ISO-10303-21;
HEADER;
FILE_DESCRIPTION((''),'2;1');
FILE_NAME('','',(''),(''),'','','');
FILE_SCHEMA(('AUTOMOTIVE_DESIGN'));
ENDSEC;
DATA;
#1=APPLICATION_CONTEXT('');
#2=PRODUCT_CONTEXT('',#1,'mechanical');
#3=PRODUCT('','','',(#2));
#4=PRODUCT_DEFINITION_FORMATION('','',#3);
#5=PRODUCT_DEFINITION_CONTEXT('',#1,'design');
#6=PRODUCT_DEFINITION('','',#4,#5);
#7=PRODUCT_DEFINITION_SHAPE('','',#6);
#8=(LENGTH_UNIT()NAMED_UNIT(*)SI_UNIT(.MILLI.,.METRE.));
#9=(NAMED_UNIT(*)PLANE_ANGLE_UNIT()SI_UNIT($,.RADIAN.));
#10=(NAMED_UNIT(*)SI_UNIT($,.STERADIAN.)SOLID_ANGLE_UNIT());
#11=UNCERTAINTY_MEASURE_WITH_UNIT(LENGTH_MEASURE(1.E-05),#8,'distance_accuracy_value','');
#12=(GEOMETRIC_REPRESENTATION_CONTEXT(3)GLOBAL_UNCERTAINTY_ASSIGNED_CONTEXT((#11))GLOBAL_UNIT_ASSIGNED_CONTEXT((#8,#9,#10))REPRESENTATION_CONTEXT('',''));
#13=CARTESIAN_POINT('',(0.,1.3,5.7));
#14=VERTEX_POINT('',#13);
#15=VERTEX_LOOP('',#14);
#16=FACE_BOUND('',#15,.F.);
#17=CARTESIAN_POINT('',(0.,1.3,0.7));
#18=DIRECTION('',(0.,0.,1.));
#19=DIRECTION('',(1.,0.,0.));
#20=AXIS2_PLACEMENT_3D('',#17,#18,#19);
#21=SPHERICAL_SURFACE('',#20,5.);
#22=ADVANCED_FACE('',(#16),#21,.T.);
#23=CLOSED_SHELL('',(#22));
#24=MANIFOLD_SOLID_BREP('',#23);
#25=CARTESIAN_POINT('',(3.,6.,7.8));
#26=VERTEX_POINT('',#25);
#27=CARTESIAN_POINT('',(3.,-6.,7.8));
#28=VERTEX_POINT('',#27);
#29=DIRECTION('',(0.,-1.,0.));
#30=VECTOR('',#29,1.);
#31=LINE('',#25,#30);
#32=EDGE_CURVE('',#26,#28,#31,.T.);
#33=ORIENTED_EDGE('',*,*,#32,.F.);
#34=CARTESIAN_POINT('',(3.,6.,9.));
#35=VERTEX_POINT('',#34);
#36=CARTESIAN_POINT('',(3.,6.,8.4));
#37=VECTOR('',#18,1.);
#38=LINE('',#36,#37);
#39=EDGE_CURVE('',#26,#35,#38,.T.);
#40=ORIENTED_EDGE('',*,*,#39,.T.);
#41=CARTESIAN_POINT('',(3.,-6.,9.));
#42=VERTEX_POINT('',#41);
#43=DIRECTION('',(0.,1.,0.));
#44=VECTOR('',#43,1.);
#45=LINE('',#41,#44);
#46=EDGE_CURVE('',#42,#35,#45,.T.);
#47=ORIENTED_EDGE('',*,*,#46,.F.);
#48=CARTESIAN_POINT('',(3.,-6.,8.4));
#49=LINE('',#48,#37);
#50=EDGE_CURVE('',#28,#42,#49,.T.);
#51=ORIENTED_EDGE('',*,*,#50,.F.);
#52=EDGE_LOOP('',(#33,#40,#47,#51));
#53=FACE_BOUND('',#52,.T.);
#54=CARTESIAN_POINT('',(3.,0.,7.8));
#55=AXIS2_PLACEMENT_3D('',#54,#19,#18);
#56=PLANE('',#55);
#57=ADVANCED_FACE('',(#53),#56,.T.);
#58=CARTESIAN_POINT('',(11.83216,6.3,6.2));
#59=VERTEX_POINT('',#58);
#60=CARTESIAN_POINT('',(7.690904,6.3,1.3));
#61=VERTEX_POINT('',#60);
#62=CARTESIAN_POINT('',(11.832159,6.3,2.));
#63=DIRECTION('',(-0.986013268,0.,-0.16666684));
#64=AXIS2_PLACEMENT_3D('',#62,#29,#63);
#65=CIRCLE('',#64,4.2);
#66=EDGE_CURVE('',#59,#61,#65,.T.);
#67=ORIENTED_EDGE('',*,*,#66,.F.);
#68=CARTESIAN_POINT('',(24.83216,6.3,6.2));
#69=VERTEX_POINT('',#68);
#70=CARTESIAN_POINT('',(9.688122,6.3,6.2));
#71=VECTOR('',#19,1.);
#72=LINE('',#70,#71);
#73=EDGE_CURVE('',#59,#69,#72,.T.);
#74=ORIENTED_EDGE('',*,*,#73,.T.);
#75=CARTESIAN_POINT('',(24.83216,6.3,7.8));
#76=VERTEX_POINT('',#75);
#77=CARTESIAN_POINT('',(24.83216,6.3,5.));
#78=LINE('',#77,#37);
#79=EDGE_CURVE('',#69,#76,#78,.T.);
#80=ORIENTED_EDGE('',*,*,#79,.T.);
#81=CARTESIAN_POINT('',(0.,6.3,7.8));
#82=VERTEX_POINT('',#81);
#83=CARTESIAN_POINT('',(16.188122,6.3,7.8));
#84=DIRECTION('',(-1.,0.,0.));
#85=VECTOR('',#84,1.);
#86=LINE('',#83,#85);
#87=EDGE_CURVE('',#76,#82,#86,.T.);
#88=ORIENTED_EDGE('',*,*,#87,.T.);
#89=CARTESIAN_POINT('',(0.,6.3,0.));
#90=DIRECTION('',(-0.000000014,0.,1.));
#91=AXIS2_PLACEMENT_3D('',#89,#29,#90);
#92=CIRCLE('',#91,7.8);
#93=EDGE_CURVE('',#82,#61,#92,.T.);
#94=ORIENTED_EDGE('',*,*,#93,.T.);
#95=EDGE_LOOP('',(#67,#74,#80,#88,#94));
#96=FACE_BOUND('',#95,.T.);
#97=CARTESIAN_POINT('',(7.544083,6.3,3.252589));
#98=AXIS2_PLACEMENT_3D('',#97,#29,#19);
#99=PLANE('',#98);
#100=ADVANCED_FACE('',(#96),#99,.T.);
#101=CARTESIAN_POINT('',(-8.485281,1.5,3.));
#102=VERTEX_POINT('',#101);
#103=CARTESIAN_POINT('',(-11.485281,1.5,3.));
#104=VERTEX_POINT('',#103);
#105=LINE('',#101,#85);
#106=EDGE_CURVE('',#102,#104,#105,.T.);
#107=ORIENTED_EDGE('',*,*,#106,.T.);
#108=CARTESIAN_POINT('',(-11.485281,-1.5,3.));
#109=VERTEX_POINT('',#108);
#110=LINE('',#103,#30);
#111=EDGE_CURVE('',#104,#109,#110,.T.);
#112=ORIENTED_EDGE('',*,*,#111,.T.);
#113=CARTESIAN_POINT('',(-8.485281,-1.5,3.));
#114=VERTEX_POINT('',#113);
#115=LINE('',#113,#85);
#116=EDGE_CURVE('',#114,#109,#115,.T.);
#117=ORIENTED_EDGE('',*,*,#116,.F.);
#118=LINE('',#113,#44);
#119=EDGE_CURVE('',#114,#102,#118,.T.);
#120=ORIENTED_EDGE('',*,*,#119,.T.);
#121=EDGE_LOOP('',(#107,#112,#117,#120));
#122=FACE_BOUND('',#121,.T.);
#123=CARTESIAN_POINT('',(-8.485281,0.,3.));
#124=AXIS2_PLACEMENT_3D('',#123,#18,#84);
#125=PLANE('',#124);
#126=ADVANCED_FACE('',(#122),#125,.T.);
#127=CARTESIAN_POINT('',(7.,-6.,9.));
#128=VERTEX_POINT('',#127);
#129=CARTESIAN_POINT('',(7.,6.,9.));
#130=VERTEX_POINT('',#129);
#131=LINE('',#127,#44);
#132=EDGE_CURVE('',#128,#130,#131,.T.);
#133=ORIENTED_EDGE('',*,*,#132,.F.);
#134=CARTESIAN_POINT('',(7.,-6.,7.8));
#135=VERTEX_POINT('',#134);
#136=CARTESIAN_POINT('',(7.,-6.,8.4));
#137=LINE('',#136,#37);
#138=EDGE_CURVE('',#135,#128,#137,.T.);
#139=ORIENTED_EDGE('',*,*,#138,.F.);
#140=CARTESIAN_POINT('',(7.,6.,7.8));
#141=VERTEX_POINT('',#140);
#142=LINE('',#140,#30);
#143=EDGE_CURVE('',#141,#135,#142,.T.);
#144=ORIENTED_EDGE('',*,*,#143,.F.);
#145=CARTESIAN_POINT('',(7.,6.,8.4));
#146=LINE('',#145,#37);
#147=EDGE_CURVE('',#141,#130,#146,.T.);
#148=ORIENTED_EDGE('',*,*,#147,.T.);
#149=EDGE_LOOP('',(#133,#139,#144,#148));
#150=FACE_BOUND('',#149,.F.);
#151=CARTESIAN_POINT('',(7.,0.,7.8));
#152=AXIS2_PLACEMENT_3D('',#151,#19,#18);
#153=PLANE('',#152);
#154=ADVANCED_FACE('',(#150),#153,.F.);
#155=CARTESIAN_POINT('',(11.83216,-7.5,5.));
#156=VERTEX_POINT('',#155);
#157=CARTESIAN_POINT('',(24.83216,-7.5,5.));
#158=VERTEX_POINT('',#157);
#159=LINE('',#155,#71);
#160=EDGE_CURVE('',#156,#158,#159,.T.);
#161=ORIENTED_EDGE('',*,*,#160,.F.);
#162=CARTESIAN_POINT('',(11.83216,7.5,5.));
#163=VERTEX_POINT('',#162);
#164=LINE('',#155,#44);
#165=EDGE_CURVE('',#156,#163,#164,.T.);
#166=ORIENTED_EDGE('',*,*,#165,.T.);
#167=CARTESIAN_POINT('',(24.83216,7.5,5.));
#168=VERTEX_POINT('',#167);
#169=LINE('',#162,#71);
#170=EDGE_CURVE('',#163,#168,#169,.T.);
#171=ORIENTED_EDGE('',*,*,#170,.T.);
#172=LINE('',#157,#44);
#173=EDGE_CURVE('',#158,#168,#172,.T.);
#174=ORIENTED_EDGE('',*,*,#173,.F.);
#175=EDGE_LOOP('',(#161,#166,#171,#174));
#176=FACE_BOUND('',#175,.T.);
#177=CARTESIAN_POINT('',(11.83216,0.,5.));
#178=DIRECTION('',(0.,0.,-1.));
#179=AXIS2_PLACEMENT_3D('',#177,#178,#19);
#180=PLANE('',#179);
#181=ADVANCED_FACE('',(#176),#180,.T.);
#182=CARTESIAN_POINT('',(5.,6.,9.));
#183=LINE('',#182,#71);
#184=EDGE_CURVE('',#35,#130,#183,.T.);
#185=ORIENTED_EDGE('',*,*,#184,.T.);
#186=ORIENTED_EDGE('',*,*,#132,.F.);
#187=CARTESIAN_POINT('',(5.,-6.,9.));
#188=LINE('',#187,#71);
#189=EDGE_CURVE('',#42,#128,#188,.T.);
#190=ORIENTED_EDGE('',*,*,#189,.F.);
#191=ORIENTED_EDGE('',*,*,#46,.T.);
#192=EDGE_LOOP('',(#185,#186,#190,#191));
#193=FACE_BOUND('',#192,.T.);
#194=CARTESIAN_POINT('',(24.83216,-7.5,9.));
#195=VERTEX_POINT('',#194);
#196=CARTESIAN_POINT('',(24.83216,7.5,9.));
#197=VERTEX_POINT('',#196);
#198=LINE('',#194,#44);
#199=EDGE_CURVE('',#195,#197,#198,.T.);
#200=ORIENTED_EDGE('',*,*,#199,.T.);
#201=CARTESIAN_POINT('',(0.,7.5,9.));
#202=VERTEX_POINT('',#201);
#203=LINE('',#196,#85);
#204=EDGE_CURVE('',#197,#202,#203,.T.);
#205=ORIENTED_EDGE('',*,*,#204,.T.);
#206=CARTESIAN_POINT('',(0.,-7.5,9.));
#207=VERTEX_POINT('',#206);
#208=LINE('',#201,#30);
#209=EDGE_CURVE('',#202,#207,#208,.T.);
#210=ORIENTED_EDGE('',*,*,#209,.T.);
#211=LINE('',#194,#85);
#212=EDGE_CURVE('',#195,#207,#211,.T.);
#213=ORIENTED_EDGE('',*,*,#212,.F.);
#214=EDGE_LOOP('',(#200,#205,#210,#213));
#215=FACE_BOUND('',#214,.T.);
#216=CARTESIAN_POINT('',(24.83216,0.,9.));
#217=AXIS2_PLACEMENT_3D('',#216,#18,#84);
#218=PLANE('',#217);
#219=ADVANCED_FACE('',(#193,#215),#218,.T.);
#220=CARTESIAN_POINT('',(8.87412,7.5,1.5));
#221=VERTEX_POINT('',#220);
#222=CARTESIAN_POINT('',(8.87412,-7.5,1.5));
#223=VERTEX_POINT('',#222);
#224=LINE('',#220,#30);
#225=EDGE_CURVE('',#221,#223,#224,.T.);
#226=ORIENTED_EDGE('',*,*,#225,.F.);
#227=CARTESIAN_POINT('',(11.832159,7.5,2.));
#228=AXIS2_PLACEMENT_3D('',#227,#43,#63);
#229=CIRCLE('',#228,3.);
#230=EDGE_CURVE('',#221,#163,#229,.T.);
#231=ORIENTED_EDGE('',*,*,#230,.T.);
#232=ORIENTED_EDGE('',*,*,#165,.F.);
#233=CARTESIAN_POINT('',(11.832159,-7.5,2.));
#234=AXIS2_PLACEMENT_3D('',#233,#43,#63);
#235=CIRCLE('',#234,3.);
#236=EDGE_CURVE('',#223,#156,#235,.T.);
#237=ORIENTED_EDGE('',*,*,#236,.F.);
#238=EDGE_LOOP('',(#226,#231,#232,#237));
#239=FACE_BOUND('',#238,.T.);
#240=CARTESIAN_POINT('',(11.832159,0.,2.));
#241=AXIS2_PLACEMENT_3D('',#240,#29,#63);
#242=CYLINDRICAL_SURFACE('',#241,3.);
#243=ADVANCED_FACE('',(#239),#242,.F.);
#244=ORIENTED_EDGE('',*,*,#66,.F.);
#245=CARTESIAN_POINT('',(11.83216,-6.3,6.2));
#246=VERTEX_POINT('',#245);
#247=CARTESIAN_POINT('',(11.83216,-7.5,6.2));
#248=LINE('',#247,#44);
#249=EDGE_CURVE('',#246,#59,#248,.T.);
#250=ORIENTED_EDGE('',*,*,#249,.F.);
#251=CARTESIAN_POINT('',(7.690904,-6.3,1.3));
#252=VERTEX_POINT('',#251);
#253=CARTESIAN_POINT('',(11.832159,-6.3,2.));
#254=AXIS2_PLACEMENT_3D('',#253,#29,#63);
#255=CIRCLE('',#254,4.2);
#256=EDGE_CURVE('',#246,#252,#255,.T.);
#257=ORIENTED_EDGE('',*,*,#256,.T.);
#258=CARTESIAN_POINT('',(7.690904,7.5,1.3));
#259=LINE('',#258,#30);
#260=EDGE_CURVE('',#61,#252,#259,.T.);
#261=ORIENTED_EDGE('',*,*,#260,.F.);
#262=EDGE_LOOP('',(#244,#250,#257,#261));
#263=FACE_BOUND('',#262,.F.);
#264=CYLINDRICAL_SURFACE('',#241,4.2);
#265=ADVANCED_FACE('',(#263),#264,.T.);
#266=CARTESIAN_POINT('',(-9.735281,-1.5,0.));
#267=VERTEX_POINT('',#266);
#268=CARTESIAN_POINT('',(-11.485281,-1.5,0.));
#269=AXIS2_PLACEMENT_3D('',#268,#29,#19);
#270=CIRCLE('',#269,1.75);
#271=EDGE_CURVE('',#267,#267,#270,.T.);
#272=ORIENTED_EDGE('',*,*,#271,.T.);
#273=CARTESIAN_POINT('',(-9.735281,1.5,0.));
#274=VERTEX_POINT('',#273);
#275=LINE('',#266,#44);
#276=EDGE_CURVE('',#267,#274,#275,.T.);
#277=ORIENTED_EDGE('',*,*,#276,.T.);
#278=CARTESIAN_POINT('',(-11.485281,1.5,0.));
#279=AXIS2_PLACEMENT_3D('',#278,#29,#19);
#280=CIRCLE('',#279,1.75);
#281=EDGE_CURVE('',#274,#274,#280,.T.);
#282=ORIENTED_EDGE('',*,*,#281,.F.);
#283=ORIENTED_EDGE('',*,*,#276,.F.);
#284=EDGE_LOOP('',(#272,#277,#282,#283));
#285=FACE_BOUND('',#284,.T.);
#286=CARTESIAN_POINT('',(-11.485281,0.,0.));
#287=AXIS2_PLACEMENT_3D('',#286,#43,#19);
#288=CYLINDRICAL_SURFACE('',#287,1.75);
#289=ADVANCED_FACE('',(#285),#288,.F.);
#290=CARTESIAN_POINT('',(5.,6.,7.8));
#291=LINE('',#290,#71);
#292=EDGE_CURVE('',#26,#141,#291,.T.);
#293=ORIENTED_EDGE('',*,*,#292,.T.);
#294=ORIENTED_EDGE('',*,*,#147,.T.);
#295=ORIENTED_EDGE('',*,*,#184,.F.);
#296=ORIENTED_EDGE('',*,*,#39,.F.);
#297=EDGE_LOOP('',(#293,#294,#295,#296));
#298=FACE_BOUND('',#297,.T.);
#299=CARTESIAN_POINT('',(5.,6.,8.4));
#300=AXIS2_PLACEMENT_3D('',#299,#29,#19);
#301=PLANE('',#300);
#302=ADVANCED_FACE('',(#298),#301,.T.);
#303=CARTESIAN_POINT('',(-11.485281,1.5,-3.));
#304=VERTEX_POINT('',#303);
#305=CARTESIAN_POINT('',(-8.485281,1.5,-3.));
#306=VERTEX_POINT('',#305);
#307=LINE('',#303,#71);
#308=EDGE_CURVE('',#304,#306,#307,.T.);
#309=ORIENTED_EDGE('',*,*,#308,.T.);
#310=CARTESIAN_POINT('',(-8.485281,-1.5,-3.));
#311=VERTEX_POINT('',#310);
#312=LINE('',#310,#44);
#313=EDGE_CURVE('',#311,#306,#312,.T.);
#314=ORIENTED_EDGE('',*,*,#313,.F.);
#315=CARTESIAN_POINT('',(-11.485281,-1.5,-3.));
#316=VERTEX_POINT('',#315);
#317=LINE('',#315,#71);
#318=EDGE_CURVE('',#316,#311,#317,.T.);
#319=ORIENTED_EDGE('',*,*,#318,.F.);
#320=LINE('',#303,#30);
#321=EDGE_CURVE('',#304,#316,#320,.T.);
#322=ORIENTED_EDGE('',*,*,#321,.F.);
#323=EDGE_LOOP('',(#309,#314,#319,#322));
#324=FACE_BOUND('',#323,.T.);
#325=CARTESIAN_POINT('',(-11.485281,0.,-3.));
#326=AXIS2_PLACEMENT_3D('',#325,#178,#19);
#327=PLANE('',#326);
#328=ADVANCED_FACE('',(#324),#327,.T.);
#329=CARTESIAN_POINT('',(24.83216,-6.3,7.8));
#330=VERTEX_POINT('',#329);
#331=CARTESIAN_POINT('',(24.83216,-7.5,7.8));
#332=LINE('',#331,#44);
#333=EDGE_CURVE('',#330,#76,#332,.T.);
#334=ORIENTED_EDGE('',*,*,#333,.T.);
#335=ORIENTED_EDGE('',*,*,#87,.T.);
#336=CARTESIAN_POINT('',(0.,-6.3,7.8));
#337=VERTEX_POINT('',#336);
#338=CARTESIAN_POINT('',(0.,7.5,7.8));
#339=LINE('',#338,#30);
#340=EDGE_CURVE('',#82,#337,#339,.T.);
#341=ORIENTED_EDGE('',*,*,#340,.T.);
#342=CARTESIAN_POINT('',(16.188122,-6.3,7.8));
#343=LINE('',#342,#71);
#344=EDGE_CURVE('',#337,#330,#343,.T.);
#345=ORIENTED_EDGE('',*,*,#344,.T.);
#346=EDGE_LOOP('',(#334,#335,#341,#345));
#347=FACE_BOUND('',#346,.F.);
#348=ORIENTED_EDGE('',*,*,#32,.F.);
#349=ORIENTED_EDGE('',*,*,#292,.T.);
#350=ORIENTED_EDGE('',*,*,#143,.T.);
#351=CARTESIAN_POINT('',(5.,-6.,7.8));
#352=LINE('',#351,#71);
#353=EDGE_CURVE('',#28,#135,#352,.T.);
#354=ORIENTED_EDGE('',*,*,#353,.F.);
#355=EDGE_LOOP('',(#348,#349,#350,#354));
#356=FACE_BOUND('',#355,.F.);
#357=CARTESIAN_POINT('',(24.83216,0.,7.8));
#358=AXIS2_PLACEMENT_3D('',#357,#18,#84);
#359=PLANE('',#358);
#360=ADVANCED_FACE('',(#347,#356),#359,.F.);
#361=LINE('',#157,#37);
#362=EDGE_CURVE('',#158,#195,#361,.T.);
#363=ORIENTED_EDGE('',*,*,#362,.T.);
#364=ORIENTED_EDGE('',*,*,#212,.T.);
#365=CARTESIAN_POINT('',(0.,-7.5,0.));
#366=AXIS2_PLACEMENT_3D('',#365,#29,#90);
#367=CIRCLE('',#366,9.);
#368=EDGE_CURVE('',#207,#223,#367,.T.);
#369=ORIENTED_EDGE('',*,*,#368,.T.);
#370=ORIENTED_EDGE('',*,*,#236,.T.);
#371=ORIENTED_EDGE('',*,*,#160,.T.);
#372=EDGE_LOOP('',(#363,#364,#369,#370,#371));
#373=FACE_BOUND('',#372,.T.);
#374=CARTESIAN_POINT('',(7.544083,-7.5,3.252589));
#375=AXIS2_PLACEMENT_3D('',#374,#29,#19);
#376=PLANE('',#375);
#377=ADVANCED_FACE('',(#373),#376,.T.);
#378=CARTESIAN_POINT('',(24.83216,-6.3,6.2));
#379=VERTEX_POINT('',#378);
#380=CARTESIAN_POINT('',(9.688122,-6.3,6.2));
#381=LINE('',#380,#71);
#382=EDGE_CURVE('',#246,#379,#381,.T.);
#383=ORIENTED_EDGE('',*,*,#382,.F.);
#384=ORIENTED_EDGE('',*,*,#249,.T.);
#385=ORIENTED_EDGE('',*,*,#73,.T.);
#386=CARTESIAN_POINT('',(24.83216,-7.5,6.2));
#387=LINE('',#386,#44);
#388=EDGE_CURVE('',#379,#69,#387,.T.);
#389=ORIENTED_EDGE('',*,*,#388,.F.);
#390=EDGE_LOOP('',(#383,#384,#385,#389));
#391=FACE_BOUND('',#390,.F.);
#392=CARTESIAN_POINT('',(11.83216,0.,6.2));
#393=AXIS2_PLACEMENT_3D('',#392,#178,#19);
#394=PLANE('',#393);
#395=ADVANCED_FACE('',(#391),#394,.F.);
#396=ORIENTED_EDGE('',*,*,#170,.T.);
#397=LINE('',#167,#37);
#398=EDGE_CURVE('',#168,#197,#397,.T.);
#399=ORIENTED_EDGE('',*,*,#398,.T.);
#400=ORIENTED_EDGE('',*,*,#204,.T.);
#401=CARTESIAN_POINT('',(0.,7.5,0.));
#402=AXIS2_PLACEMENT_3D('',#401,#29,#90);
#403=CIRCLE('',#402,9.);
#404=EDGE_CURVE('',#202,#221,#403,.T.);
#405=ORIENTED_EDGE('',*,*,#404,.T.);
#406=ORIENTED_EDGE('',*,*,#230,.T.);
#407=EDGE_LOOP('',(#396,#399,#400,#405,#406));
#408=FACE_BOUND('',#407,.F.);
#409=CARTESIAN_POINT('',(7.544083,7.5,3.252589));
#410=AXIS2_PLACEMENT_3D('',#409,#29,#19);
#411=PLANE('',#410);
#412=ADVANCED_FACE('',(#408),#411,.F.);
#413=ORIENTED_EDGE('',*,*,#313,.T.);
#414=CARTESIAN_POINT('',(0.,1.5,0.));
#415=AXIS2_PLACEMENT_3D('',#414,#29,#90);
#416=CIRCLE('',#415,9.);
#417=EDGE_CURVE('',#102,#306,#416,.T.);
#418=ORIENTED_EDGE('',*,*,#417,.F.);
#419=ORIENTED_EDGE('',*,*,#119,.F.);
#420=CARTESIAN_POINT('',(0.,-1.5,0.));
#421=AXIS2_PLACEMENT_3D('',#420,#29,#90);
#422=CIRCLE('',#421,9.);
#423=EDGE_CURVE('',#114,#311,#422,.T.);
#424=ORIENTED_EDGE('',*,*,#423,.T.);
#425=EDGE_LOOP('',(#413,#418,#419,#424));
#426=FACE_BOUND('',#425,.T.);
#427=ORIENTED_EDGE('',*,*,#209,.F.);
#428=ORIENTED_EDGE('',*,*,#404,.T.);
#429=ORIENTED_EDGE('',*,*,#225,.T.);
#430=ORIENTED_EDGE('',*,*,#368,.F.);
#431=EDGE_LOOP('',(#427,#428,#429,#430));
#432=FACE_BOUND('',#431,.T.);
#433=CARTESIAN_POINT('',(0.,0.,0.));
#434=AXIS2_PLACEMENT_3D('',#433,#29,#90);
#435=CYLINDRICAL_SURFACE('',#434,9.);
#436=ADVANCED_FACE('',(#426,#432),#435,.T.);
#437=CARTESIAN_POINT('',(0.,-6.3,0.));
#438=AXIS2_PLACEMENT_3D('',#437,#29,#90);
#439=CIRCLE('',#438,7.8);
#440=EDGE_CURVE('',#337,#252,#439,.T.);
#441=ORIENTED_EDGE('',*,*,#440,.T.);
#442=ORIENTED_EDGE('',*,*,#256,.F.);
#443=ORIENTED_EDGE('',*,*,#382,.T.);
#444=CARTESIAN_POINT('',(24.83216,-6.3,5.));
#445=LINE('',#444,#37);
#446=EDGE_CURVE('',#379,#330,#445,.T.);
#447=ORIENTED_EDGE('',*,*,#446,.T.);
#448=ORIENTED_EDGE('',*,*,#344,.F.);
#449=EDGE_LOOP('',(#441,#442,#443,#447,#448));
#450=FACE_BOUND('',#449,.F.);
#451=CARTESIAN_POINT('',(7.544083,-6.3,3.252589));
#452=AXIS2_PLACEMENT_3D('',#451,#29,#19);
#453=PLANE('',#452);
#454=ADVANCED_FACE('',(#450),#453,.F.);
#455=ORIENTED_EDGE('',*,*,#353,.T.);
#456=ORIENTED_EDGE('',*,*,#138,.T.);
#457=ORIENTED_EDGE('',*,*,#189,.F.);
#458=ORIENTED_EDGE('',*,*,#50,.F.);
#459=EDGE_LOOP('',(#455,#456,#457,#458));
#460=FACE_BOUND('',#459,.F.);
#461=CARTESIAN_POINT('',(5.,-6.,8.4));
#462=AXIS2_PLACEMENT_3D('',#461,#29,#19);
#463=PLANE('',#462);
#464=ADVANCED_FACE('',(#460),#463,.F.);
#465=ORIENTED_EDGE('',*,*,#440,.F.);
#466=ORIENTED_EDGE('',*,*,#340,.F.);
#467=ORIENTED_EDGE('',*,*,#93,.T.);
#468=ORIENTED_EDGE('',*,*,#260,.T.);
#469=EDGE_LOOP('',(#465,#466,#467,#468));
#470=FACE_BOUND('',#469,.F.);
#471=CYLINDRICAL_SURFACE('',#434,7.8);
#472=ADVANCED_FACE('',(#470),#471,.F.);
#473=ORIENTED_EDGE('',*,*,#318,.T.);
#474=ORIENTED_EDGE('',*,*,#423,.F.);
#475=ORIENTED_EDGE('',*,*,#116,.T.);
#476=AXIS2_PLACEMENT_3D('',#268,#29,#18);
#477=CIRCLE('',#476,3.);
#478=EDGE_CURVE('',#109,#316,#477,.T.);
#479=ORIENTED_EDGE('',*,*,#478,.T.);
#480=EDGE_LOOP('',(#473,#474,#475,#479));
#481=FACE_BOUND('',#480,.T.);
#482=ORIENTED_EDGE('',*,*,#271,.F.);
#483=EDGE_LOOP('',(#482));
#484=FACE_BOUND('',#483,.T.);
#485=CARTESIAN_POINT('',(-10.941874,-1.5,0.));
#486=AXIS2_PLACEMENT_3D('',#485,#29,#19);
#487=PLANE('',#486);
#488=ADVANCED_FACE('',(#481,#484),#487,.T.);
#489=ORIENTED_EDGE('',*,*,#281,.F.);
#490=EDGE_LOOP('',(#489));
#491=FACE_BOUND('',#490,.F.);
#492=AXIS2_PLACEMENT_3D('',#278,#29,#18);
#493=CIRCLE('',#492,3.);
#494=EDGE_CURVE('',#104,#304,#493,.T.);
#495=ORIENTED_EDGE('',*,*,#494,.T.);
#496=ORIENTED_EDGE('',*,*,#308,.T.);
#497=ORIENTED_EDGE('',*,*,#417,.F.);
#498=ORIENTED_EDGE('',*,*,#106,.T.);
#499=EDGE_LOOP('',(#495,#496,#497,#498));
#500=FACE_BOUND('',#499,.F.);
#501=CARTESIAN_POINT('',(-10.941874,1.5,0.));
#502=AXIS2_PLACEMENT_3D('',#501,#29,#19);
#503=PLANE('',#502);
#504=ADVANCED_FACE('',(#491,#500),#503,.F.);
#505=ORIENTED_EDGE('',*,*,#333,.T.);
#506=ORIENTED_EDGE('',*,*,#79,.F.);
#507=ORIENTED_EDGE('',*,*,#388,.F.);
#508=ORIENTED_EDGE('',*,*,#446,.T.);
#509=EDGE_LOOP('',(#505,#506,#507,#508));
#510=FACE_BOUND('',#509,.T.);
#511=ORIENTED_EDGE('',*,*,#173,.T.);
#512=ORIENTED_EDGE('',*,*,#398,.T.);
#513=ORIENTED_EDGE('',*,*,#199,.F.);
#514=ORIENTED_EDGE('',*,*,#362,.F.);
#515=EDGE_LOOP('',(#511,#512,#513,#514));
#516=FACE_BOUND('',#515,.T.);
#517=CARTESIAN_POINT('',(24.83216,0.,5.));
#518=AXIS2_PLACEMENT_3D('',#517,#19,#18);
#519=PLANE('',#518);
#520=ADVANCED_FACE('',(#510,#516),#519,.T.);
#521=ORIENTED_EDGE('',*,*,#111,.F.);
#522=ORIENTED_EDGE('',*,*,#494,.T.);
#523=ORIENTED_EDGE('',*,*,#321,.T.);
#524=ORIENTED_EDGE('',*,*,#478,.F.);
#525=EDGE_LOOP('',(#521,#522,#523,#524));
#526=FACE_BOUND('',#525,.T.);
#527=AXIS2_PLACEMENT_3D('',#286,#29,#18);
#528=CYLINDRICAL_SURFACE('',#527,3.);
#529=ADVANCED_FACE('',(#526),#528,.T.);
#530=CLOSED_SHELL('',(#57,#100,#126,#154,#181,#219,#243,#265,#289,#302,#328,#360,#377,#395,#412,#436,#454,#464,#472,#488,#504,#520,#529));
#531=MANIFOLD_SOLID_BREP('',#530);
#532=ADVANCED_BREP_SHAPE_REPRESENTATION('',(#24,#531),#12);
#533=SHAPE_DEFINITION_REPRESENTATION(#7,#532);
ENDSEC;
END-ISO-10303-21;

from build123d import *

# Parameters (mm, degrees)
F1_DEPTH = 7.5
F2_T     = -1.2
F3_W     = 4
F3_H     = 1.2
F4_DEPTH = 6
F5_R     = 1.75
F6_DEPTH = 1.5


with BuildPart() as f1:
    # F0 (on Front) → F1 (new body, symmetric)
    with BuildSketch(Plane.XZ):
        with BuildLine():
            Line((24.83216, 9), (0, 9))
            ThreePointArc((0, 9), (-5.809475, -6.873864), (8.87412, 1.5))
            ThreePointArc((8.87412, 1.5), (9.540872, 3.936492), (11.83216, 5))
            Line((11.83216, 5), (24.83216, 5))
            Line((24.83216, 5), (24.83216, 9))
        make_face()
    extrude(amount=F1_DEPTH, both=True)

    # F2
    f2_openings = [f1.faces().sort_by_distance(p)[0] for p in [
        (24.83216, 0, 7),
    ]]
    offset(amount=F2_T, openings=f2_openings)

    # F3 (on Front) → F4 (cut, symmetric)
    with BuildSketch(Plane.XZ):
        with Locations((5, 8.4)):
            Rectangle(F3_W, F3_H)
    extrude(amount=F4_DEPTH, both=True, mode=Mode.SUBTRACT)

    # F5 (on Front) → F6 (join, symmetric)
    with BuildSketch(Plane.XZ):
        with BuildLine():
            Line((-8.485281, 3), (-11.485281, 3))
            ThreePointArc((-11.485281, 3), (-14.485281, 0), (-11.485281, -3))
            Line((-11.485281, -3), (-8.485281, -3))
            Line((-8.485281, -3), (-8.485281, 3))
        make_face()
        with Locations((-11.485281, 0)):
            Circle(F5_R, mode=Mode.SUBTRACT)
    extrude(amount=F6_DEPTH, both=True)


with BuildPart() as f8:
    # F7 (on Front) → F8 (revolve)
    with BuildSketch(Plane.XZ):
        with BuildLine():
            Line((0, 2.2), (0, -7.8))
            ThreePointArc((0, -7.8), (5, -2.8), (0, 2.2))
        make_face()
    revolve(axis=Axis((0, 0, -2.8), (0, 0, -1)))


with BuildPart() as f8_1:
    # F9: moved
    add(f8.part.moved(Location((0, 1.3, 3.5))))


solid = Compound([f1.part, f8_1.part])
